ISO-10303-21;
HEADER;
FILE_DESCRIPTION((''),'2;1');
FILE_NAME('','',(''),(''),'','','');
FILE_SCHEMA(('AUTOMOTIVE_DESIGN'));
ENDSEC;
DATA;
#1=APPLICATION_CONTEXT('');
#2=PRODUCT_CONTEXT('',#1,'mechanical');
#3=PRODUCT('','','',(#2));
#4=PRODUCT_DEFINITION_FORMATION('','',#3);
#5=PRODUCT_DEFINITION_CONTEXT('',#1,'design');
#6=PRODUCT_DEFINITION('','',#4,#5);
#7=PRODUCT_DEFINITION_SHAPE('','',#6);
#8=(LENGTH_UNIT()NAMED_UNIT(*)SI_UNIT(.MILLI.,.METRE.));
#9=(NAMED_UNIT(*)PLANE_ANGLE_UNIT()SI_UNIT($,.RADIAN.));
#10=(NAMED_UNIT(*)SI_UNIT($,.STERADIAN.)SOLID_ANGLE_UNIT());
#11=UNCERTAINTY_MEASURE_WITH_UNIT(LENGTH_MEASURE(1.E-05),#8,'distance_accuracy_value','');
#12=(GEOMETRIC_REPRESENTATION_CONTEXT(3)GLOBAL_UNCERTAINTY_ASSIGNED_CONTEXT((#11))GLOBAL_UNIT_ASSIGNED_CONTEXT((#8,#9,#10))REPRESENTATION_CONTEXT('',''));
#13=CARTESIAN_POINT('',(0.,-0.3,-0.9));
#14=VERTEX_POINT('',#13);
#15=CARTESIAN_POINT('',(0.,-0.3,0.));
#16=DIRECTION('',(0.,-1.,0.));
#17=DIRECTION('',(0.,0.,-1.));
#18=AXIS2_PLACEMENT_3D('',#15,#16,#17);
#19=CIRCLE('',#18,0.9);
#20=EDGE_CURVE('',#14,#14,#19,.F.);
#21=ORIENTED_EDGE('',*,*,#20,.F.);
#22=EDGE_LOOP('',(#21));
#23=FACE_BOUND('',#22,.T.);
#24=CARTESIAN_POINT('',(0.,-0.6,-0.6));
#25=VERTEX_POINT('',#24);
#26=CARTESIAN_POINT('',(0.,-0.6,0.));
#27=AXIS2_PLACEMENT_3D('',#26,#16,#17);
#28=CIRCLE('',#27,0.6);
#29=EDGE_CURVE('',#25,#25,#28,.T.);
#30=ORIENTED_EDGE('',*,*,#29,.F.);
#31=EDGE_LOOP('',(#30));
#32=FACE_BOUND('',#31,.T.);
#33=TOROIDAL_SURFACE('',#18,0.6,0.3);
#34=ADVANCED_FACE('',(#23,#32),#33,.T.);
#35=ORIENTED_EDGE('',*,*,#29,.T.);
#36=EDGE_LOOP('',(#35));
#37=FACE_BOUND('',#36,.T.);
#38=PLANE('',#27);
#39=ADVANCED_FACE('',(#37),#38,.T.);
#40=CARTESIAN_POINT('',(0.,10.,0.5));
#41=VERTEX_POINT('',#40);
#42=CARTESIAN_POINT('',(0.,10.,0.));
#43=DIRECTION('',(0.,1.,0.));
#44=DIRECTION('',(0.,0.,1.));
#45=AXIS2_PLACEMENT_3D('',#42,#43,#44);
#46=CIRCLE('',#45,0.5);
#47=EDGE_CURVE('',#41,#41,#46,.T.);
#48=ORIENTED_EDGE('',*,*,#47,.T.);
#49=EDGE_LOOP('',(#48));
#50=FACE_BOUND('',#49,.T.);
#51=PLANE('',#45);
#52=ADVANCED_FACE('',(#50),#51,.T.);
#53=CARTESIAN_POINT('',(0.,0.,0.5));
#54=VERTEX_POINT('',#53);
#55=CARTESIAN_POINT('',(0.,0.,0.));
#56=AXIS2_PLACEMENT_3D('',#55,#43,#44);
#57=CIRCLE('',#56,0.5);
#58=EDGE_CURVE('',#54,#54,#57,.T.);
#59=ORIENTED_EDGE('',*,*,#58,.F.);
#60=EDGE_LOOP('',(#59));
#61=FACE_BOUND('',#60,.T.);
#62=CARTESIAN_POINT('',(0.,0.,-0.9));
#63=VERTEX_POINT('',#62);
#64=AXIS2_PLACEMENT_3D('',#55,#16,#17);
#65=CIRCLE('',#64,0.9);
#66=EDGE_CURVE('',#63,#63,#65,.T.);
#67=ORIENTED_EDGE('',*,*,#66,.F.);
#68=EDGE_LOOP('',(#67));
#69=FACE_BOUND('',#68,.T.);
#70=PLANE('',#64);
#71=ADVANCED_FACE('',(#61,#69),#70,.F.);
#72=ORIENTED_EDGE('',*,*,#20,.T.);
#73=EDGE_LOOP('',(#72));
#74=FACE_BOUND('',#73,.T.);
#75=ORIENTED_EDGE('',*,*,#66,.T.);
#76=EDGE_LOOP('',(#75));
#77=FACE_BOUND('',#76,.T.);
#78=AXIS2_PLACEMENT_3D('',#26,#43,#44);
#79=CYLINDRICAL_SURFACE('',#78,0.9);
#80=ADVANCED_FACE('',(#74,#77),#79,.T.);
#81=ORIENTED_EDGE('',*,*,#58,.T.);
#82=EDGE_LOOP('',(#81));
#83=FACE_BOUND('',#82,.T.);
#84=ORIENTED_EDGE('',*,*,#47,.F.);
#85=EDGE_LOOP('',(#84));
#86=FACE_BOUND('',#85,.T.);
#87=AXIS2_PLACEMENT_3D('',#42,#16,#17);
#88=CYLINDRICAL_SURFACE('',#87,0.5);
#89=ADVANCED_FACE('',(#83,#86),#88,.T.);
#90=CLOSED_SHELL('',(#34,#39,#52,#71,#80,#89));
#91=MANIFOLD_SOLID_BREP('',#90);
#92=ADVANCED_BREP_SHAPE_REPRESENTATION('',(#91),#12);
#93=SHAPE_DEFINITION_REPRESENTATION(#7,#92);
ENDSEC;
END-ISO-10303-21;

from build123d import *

# Parameters (mm, degrees)
SKETCH1_R           = 0.5
BOSS_EXTRUDE1_DEPTH = 10
SKETCH2_R           = 0.9
BOSS_EXTRUDE2_DEPTH = 0.6
FILLET1_R           = 0.3


with BuildPart() as part:
    # Sketch1 → Boss-Extrude1 (new body)
    with BuildSketch(Plane(origin=(0, 0, 0), x_dir=(1, 0, 0), z_dir=(0, 1, 0))):
        Circle(SKETCH1_R)
    extrude(amount=BOSS_EXTRUDE1_DEPTH)

    # Sketch2 → Boss-Extrude2 (add)
    with BuildSketch(Plane.XZ):
        Circle(SKETCH2_R)
    extrude(amount=BOSS_EXTRUDE2_DEPTH)

    # Fillet1
    fillet1_edges = [part.edges().sort_by_distance(p)[0] for p in [
        (-0.9, -0.6, 0),
    ]]
    fillet(fillet1_edges, radius=FILLET1_R)


solid = part.part
